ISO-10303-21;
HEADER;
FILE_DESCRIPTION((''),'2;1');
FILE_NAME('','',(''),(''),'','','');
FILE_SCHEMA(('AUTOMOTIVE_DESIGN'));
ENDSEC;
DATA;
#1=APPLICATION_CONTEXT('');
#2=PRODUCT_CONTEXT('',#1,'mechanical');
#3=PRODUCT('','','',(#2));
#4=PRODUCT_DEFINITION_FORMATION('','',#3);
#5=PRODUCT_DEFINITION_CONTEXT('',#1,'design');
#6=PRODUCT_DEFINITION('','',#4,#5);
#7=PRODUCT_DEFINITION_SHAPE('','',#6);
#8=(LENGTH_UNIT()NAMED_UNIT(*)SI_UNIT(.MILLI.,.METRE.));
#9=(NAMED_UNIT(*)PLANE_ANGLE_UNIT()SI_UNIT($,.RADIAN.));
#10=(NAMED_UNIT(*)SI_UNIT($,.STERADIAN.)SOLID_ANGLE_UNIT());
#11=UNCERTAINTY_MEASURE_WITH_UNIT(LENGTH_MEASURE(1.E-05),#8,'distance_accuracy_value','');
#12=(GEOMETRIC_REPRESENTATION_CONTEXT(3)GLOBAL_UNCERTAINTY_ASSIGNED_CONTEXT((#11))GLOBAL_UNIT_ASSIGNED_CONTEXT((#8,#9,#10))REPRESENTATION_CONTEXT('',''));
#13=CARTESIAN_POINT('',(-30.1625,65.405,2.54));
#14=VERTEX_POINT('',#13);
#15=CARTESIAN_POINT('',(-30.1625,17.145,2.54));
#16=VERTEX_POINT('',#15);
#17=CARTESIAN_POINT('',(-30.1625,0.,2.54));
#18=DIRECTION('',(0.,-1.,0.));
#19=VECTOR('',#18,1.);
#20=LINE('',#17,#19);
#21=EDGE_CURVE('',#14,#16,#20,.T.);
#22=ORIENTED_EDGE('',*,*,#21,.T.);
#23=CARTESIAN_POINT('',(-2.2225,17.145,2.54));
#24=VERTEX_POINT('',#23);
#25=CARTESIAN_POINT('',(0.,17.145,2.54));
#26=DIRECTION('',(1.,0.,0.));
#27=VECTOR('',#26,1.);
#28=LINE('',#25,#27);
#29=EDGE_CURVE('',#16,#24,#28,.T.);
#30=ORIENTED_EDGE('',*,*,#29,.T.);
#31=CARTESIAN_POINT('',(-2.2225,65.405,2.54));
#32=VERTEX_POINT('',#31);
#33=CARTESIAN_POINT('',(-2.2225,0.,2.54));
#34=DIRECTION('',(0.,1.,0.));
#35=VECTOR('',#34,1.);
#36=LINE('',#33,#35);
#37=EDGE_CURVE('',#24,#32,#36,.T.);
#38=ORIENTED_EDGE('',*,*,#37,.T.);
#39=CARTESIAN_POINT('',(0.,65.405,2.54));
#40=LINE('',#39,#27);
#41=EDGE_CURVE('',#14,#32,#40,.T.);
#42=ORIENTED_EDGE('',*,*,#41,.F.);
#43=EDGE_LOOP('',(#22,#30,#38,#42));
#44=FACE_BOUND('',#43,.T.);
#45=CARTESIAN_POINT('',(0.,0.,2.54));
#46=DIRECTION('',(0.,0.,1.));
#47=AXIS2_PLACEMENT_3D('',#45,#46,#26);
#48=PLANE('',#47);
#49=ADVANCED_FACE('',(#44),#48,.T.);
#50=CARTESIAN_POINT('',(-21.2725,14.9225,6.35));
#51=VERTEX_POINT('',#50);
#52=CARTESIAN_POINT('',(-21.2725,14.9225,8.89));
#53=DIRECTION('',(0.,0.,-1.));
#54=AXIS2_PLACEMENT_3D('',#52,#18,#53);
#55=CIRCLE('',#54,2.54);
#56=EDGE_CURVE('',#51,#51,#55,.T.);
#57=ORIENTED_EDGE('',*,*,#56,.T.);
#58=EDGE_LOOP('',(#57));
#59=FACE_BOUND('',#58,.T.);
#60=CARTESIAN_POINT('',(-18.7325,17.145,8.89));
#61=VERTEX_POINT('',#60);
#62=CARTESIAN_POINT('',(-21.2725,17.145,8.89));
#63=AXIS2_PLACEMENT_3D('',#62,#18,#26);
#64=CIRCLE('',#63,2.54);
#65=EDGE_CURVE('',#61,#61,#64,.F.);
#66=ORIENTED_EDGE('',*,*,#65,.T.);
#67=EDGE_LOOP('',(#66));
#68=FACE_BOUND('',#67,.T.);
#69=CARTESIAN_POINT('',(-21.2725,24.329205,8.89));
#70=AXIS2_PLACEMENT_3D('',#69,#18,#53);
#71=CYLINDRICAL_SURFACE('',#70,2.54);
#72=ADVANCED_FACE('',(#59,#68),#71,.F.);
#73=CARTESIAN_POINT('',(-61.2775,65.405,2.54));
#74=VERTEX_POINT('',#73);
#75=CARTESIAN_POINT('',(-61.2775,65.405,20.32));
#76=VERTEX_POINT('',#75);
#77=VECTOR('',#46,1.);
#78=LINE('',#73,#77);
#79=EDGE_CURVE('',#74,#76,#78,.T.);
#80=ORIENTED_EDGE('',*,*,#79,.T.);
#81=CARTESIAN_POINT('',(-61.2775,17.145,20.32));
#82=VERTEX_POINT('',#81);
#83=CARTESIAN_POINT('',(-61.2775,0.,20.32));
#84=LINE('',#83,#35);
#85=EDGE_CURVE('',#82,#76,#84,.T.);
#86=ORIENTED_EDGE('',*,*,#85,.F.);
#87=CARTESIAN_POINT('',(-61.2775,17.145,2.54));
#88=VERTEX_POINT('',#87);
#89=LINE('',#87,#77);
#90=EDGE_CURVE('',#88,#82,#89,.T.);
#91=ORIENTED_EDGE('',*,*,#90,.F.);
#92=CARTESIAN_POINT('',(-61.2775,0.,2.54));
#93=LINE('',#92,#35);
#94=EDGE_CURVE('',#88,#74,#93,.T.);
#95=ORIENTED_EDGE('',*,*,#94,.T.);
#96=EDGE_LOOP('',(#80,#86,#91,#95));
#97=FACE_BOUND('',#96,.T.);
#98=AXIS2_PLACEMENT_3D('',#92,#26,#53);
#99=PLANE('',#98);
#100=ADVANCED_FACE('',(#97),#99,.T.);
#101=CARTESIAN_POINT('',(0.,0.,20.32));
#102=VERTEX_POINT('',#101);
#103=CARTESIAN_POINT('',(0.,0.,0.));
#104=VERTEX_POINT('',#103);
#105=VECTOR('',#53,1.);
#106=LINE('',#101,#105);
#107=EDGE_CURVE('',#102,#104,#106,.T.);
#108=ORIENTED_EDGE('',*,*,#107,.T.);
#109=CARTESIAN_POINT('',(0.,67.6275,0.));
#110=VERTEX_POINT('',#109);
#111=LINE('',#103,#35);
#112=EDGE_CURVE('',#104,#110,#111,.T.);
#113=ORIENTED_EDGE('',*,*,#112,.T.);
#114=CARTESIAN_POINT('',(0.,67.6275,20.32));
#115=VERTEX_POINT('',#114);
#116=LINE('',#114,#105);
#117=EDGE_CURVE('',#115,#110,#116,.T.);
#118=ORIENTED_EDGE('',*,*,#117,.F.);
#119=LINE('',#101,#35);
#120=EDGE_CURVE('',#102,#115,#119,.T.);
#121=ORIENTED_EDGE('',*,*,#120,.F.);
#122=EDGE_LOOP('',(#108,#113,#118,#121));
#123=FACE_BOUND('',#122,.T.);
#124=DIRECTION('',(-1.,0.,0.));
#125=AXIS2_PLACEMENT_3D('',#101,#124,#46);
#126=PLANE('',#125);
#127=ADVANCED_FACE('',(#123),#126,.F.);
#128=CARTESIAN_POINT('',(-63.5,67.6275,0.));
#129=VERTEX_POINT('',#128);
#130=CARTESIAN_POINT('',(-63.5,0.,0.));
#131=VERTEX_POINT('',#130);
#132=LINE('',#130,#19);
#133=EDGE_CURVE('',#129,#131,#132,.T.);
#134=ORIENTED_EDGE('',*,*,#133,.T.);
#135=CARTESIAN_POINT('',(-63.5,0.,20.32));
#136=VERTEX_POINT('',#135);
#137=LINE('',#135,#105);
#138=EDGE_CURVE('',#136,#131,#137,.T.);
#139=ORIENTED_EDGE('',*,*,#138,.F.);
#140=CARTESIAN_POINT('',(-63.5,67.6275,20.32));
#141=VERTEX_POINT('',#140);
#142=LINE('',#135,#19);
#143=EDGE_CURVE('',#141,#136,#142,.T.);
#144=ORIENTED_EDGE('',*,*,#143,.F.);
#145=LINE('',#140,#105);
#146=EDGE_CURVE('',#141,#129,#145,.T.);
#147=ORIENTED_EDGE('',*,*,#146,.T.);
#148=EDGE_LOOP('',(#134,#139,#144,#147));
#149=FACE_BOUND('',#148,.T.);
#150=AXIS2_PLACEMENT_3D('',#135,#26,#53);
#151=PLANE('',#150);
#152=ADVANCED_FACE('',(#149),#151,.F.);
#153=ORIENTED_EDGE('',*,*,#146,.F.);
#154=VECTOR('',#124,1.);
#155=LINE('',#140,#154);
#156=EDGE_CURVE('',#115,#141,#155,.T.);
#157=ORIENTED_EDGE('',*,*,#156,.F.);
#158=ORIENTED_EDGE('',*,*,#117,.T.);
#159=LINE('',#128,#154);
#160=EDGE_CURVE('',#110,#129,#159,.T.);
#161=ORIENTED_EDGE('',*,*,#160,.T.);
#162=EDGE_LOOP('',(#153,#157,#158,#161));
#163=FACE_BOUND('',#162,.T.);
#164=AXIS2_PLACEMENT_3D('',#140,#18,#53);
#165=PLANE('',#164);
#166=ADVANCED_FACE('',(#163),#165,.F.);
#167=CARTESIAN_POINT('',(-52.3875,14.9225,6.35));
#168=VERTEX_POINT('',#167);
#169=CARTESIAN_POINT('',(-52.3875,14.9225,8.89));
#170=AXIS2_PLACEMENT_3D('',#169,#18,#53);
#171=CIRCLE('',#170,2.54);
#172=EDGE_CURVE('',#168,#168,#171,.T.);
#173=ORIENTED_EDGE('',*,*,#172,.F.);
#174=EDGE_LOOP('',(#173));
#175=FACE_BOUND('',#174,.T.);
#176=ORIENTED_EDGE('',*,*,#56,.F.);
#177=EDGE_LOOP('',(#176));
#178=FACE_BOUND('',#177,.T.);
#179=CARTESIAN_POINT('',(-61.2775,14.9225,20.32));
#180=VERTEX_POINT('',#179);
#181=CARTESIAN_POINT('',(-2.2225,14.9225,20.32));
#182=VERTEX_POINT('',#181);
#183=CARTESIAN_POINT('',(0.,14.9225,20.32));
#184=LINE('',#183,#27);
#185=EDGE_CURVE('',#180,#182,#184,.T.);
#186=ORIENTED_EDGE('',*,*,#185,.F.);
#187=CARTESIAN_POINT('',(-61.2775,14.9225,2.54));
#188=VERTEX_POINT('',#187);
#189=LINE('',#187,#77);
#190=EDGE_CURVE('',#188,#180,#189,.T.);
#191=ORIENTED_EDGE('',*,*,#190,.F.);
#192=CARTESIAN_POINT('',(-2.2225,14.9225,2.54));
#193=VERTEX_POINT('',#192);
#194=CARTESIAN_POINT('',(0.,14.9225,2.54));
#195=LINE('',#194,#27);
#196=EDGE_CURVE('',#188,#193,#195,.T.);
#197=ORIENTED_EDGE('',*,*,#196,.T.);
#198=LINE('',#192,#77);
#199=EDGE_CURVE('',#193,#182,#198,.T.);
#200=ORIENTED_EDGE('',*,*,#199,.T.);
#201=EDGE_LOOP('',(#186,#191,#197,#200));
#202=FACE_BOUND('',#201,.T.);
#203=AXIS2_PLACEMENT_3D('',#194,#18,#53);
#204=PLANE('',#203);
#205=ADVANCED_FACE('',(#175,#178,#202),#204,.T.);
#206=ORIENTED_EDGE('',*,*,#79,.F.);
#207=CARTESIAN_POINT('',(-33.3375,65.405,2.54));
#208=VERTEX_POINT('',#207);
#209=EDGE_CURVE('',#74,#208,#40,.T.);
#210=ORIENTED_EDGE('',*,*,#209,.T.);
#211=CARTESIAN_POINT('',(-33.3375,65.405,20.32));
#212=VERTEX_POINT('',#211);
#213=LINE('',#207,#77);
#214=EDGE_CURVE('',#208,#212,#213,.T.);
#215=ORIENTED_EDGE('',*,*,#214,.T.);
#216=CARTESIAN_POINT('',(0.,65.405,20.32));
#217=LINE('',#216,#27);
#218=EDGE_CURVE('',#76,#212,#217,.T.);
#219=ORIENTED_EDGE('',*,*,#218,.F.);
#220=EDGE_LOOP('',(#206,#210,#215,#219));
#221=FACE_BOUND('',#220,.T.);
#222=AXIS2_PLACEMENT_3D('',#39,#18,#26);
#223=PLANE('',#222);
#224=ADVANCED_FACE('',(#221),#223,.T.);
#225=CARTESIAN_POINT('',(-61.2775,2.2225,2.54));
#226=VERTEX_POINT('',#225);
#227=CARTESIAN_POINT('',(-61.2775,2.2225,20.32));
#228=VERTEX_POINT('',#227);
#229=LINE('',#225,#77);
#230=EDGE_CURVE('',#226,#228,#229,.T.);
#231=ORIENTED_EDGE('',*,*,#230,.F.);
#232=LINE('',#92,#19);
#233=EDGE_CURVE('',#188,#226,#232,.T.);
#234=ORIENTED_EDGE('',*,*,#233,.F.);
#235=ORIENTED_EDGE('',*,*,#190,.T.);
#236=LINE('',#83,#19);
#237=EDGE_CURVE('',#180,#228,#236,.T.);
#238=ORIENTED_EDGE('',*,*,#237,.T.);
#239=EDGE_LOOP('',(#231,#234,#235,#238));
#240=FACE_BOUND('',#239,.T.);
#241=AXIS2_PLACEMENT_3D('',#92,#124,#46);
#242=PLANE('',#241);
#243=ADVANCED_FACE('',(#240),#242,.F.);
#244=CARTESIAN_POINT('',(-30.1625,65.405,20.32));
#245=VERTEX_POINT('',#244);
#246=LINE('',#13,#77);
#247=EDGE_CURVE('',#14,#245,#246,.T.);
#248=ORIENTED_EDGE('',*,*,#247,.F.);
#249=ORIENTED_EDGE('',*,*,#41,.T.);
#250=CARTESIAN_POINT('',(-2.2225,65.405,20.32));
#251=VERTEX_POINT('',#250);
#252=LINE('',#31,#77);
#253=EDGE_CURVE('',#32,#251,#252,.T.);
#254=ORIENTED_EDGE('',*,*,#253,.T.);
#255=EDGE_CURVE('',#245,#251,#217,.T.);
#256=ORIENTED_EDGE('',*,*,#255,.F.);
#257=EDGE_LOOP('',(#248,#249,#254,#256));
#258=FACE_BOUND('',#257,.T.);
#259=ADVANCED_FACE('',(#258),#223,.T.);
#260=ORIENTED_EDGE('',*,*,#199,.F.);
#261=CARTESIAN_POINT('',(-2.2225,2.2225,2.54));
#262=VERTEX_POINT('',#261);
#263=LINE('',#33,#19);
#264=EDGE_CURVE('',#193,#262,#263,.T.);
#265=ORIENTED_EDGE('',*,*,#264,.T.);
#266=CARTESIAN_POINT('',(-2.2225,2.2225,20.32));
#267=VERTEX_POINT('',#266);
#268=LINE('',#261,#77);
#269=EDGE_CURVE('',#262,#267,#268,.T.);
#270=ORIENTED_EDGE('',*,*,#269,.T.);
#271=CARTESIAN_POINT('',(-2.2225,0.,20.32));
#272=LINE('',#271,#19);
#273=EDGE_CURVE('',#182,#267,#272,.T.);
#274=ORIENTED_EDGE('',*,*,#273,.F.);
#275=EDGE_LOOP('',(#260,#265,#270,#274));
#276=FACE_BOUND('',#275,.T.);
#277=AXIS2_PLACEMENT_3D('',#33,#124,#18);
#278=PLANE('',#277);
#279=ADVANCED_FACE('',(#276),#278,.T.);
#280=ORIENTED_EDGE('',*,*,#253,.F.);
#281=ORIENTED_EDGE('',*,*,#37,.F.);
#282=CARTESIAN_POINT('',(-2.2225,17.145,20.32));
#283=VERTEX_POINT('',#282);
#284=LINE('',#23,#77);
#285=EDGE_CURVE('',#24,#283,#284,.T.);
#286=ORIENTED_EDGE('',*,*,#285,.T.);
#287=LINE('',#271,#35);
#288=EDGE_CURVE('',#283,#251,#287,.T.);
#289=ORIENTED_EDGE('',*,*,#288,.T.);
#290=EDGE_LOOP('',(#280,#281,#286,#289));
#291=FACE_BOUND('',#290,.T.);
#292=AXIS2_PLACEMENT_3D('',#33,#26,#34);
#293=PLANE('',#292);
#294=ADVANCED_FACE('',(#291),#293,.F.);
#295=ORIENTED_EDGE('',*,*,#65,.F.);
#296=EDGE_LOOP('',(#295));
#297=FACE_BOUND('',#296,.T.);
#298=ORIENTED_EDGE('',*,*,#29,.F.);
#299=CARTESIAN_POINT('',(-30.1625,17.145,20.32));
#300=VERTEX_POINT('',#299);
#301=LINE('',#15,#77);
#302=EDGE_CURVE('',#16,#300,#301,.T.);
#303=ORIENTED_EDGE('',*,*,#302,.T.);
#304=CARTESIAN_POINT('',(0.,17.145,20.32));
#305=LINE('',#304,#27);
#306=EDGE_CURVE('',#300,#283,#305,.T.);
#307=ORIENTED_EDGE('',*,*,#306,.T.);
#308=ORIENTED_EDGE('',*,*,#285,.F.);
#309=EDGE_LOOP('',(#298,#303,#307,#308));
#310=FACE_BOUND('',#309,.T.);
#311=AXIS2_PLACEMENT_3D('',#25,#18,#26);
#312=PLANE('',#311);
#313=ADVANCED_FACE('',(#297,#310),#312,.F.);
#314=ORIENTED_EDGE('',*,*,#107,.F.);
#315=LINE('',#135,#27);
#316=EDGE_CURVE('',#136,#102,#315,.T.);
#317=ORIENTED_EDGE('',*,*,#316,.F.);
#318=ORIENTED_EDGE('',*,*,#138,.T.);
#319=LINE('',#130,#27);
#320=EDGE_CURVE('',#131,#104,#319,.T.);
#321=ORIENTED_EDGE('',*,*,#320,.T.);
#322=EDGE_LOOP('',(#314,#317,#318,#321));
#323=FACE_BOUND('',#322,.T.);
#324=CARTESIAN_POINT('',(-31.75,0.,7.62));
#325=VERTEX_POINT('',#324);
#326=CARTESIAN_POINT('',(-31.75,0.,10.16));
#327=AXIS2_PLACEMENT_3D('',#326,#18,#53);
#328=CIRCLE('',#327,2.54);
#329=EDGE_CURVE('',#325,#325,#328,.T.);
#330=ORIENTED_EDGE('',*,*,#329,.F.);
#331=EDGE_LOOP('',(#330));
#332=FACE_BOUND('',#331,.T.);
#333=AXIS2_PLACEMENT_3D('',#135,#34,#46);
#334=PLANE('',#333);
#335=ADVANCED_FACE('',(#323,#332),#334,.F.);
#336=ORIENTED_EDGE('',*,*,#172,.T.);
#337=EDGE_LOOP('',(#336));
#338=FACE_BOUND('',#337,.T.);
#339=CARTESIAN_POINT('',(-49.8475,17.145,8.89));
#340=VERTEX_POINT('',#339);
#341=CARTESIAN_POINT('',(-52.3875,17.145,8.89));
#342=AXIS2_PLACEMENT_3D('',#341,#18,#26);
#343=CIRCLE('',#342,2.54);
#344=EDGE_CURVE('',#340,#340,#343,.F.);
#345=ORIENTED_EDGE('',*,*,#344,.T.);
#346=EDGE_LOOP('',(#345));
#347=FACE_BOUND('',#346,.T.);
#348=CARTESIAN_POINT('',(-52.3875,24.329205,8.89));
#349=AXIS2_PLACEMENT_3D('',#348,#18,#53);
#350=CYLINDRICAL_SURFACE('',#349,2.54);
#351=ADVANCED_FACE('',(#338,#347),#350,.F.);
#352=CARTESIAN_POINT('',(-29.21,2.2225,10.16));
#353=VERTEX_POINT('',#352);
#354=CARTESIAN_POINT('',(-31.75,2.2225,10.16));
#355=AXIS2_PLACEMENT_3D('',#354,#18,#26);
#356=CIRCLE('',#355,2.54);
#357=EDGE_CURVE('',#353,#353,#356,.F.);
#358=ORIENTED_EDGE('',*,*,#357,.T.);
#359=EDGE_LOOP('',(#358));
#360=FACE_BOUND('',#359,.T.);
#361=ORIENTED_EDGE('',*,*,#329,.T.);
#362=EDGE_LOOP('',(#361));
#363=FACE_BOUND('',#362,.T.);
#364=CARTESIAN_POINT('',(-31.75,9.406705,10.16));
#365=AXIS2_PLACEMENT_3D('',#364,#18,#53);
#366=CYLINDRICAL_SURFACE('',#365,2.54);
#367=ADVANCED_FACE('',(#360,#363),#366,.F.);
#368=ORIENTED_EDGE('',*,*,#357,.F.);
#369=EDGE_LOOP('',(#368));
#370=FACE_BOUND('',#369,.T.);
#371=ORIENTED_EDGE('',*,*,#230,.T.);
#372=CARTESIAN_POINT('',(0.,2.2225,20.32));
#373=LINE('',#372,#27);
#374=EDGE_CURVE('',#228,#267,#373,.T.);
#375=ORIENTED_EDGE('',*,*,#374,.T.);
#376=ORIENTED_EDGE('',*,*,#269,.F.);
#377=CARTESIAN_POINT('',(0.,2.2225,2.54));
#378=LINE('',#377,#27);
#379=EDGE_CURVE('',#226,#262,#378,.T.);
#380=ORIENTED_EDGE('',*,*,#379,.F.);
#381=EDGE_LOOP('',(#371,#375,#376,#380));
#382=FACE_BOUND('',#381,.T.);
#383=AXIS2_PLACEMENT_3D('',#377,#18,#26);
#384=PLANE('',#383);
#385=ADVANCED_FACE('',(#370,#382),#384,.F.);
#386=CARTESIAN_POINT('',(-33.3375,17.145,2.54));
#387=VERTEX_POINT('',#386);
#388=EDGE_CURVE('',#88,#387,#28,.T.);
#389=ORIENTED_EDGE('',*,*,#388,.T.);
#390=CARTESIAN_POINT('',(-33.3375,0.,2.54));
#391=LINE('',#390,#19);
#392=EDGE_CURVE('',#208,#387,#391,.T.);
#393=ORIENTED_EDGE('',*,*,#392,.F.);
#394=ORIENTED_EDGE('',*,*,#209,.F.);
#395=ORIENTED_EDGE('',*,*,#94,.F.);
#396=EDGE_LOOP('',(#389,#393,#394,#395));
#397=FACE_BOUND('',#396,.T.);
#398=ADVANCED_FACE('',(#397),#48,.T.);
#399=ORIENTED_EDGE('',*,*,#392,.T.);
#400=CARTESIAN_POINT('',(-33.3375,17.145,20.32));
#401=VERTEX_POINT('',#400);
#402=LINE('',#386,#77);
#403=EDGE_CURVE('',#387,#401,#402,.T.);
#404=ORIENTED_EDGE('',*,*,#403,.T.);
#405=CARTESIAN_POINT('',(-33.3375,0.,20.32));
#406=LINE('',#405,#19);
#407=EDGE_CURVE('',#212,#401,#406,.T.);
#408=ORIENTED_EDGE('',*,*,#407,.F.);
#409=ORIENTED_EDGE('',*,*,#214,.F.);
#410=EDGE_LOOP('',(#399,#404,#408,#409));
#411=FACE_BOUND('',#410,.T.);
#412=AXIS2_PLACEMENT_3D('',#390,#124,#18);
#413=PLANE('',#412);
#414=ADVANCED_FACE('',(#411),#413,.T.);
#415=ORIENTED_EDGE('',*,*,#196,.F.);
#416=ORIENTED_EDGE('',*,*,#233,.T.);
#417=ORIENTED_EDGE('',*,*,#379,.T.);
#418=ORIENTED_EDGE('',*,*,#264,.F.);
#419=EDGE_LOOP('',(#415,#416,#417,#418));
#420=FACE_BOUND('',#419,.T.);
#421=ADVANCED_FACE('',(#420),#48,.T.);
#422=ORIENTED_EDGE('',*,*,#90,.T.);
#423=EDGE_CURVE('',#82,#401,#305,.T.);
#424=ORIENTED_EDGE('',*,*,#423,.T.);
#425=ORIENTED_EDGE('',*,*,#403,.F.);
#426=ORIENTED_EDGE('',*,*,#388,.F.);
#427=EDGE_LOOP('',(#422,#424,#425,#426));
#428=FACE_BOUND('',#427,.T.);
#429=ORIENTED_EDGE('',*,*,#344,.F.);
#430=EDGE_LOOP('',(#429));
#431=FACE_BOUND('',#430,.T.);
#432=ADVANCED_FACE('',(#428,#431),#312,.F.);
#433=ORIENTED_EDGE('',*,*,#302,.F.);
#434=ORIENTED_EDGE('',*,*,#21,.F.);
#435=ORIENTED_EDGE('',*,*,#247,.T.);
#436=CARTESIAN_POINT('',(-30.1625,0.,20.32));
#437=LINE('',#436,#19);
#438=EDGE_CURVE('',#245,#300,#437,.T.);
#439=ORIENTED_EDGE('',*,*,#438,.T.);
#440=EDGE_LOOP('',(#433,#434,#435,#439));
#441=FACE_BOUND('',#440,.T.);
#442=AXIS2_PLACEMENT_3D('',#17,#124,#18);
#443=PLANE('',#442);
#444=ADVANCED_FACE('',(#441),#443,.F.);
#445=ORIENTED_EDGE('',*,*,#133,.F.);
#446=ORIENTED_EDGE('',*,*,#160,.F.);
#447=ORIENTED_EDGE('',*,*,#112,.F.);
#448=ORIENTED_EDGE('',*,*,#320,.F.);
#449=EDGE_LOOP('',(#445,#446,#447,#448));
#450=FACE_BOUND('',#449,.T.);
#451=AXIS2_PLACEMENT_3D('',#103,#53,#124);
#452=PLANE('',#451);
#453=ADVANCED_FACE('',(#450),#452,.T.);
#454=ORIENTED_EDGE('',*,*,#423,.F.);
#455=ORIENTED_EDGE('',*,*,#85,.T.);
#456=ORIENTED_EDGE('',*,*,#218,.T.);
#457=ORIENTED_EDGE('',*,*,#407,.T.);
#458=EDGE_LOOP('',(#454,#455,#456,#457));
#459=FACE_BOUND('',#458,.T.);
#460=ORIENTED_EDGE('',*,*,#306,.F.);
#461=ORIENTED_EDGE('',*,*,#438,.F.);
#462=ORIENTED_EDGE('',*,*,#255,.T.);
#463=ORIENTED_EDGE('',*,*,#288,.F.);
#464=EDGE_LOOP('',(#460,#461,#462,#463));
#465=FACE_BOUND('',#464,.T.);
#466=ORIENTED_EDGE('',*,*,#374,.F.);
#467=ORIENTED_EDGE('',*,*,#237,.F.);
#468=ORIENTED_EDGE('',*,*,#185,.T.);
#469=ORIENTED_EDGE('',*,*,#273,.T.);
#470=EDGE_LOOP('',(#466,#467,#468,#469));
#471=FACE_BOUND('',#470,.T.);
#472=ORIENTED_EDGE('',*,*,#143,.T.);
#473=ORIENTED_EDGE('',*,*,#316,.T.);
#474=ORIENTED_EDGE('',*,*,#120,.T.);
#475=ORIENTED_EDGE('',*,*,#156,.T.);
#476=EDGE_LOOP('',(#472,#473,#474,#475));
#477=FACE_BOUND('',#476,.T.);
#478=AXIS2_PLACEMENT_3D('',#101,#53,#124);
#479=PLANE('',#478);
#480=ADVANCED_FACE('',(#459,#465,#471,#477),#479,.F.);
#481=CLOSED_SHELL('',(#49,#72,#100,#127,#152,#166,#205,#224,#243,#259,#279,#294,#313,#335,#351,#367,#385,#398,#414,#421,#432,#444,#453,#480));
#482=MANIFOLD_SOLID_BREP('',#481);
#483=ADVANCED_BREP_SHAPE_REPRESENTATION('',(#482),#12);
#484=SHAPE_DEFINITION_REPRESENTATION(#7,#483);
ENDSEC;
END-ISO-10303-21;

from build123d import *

# Parameters (mm, degrees)
SKETCH3_W           = 63.5
SKETCH3_H           = 67.6275
BOSS_EXTRUDE3_DEPTH = 20.32
SKETCH1_W           = 27.94
SKETCH1_H           = 48.26
SKETCH1_W_2         = 59.055
SKETCH1_H_2         = 12.7
CUT_EXTRUDE1_DEPTH  = 17.78
SKETCH4_R           = 2.54
CUT_EXTRUDE2_DEPTH  = 2.2225
SKETCH5_R           = 2.54
CUT_EXTRUDE3_DEPTH  = 2.2225


with BuildPart() as part:
    # Sketch3 → Boss-Extrude3 (new body)
    with BuildSketch(Plane.XY):
        with Locations((-31.75, 33.81375)):
            Rectangle(SKETCH3_W, SKETCH3_H)
    extrude(amount=BOSS_EXTRUDE3_DEPTH)

    # Sketch1 → Cut-Extrude1 (cut)
    with BuildSketch(Plane.XY.offset(20.32)):
        with Locations((-47.3075, 41.275)):
            Rectangle(SKETCH1_W, SKETCH1_H)
        with Locations((-16.1925, 41.275)):
            Rectangle(SKETCH1_W, SKETCH1_H)
        with Locations((-31.75, 8.5725)):
            Rectangle(SKETCH1_W_2, SKETCH1_H_2)
    extrude(amount=-CUT_EXTRUDE1_DEPTH, mode=Mode.SUBTRACT)

    # Sketch4 → Cut-Extrude2 (cut)
    with BuildSketch(Plane.XZ):
        with Locations(Location((-31.75, 10.16, 0), (0, 0, 270))):
            Circle(SKETCH4_R)
    extrude(amount=-CUT_EXTRUDE2_DEPTH, mode=Mode.SUBTRACT)

    # Sketch5 → Cut-Extrude3 (cut)
    with BuildSketch(Plane(origin=(0, 14.9225, 0), x_dir=(-1, 0, 0), z_dir=(0, -1, 0))):
        with Locations(Location((52.3875, -8.89, 0), (0, 0, 90))):
            Circle(SKETCH5_R)
        with Locations(Location((21.2725, -8.89, 0), (0, 0, 90))):
            Circle(SKETCH5_R)
    extrude(amount=-CUT_EXTRUDE3_DEPTH, mode=Mode.SUBTRACT)


solid = part.part
